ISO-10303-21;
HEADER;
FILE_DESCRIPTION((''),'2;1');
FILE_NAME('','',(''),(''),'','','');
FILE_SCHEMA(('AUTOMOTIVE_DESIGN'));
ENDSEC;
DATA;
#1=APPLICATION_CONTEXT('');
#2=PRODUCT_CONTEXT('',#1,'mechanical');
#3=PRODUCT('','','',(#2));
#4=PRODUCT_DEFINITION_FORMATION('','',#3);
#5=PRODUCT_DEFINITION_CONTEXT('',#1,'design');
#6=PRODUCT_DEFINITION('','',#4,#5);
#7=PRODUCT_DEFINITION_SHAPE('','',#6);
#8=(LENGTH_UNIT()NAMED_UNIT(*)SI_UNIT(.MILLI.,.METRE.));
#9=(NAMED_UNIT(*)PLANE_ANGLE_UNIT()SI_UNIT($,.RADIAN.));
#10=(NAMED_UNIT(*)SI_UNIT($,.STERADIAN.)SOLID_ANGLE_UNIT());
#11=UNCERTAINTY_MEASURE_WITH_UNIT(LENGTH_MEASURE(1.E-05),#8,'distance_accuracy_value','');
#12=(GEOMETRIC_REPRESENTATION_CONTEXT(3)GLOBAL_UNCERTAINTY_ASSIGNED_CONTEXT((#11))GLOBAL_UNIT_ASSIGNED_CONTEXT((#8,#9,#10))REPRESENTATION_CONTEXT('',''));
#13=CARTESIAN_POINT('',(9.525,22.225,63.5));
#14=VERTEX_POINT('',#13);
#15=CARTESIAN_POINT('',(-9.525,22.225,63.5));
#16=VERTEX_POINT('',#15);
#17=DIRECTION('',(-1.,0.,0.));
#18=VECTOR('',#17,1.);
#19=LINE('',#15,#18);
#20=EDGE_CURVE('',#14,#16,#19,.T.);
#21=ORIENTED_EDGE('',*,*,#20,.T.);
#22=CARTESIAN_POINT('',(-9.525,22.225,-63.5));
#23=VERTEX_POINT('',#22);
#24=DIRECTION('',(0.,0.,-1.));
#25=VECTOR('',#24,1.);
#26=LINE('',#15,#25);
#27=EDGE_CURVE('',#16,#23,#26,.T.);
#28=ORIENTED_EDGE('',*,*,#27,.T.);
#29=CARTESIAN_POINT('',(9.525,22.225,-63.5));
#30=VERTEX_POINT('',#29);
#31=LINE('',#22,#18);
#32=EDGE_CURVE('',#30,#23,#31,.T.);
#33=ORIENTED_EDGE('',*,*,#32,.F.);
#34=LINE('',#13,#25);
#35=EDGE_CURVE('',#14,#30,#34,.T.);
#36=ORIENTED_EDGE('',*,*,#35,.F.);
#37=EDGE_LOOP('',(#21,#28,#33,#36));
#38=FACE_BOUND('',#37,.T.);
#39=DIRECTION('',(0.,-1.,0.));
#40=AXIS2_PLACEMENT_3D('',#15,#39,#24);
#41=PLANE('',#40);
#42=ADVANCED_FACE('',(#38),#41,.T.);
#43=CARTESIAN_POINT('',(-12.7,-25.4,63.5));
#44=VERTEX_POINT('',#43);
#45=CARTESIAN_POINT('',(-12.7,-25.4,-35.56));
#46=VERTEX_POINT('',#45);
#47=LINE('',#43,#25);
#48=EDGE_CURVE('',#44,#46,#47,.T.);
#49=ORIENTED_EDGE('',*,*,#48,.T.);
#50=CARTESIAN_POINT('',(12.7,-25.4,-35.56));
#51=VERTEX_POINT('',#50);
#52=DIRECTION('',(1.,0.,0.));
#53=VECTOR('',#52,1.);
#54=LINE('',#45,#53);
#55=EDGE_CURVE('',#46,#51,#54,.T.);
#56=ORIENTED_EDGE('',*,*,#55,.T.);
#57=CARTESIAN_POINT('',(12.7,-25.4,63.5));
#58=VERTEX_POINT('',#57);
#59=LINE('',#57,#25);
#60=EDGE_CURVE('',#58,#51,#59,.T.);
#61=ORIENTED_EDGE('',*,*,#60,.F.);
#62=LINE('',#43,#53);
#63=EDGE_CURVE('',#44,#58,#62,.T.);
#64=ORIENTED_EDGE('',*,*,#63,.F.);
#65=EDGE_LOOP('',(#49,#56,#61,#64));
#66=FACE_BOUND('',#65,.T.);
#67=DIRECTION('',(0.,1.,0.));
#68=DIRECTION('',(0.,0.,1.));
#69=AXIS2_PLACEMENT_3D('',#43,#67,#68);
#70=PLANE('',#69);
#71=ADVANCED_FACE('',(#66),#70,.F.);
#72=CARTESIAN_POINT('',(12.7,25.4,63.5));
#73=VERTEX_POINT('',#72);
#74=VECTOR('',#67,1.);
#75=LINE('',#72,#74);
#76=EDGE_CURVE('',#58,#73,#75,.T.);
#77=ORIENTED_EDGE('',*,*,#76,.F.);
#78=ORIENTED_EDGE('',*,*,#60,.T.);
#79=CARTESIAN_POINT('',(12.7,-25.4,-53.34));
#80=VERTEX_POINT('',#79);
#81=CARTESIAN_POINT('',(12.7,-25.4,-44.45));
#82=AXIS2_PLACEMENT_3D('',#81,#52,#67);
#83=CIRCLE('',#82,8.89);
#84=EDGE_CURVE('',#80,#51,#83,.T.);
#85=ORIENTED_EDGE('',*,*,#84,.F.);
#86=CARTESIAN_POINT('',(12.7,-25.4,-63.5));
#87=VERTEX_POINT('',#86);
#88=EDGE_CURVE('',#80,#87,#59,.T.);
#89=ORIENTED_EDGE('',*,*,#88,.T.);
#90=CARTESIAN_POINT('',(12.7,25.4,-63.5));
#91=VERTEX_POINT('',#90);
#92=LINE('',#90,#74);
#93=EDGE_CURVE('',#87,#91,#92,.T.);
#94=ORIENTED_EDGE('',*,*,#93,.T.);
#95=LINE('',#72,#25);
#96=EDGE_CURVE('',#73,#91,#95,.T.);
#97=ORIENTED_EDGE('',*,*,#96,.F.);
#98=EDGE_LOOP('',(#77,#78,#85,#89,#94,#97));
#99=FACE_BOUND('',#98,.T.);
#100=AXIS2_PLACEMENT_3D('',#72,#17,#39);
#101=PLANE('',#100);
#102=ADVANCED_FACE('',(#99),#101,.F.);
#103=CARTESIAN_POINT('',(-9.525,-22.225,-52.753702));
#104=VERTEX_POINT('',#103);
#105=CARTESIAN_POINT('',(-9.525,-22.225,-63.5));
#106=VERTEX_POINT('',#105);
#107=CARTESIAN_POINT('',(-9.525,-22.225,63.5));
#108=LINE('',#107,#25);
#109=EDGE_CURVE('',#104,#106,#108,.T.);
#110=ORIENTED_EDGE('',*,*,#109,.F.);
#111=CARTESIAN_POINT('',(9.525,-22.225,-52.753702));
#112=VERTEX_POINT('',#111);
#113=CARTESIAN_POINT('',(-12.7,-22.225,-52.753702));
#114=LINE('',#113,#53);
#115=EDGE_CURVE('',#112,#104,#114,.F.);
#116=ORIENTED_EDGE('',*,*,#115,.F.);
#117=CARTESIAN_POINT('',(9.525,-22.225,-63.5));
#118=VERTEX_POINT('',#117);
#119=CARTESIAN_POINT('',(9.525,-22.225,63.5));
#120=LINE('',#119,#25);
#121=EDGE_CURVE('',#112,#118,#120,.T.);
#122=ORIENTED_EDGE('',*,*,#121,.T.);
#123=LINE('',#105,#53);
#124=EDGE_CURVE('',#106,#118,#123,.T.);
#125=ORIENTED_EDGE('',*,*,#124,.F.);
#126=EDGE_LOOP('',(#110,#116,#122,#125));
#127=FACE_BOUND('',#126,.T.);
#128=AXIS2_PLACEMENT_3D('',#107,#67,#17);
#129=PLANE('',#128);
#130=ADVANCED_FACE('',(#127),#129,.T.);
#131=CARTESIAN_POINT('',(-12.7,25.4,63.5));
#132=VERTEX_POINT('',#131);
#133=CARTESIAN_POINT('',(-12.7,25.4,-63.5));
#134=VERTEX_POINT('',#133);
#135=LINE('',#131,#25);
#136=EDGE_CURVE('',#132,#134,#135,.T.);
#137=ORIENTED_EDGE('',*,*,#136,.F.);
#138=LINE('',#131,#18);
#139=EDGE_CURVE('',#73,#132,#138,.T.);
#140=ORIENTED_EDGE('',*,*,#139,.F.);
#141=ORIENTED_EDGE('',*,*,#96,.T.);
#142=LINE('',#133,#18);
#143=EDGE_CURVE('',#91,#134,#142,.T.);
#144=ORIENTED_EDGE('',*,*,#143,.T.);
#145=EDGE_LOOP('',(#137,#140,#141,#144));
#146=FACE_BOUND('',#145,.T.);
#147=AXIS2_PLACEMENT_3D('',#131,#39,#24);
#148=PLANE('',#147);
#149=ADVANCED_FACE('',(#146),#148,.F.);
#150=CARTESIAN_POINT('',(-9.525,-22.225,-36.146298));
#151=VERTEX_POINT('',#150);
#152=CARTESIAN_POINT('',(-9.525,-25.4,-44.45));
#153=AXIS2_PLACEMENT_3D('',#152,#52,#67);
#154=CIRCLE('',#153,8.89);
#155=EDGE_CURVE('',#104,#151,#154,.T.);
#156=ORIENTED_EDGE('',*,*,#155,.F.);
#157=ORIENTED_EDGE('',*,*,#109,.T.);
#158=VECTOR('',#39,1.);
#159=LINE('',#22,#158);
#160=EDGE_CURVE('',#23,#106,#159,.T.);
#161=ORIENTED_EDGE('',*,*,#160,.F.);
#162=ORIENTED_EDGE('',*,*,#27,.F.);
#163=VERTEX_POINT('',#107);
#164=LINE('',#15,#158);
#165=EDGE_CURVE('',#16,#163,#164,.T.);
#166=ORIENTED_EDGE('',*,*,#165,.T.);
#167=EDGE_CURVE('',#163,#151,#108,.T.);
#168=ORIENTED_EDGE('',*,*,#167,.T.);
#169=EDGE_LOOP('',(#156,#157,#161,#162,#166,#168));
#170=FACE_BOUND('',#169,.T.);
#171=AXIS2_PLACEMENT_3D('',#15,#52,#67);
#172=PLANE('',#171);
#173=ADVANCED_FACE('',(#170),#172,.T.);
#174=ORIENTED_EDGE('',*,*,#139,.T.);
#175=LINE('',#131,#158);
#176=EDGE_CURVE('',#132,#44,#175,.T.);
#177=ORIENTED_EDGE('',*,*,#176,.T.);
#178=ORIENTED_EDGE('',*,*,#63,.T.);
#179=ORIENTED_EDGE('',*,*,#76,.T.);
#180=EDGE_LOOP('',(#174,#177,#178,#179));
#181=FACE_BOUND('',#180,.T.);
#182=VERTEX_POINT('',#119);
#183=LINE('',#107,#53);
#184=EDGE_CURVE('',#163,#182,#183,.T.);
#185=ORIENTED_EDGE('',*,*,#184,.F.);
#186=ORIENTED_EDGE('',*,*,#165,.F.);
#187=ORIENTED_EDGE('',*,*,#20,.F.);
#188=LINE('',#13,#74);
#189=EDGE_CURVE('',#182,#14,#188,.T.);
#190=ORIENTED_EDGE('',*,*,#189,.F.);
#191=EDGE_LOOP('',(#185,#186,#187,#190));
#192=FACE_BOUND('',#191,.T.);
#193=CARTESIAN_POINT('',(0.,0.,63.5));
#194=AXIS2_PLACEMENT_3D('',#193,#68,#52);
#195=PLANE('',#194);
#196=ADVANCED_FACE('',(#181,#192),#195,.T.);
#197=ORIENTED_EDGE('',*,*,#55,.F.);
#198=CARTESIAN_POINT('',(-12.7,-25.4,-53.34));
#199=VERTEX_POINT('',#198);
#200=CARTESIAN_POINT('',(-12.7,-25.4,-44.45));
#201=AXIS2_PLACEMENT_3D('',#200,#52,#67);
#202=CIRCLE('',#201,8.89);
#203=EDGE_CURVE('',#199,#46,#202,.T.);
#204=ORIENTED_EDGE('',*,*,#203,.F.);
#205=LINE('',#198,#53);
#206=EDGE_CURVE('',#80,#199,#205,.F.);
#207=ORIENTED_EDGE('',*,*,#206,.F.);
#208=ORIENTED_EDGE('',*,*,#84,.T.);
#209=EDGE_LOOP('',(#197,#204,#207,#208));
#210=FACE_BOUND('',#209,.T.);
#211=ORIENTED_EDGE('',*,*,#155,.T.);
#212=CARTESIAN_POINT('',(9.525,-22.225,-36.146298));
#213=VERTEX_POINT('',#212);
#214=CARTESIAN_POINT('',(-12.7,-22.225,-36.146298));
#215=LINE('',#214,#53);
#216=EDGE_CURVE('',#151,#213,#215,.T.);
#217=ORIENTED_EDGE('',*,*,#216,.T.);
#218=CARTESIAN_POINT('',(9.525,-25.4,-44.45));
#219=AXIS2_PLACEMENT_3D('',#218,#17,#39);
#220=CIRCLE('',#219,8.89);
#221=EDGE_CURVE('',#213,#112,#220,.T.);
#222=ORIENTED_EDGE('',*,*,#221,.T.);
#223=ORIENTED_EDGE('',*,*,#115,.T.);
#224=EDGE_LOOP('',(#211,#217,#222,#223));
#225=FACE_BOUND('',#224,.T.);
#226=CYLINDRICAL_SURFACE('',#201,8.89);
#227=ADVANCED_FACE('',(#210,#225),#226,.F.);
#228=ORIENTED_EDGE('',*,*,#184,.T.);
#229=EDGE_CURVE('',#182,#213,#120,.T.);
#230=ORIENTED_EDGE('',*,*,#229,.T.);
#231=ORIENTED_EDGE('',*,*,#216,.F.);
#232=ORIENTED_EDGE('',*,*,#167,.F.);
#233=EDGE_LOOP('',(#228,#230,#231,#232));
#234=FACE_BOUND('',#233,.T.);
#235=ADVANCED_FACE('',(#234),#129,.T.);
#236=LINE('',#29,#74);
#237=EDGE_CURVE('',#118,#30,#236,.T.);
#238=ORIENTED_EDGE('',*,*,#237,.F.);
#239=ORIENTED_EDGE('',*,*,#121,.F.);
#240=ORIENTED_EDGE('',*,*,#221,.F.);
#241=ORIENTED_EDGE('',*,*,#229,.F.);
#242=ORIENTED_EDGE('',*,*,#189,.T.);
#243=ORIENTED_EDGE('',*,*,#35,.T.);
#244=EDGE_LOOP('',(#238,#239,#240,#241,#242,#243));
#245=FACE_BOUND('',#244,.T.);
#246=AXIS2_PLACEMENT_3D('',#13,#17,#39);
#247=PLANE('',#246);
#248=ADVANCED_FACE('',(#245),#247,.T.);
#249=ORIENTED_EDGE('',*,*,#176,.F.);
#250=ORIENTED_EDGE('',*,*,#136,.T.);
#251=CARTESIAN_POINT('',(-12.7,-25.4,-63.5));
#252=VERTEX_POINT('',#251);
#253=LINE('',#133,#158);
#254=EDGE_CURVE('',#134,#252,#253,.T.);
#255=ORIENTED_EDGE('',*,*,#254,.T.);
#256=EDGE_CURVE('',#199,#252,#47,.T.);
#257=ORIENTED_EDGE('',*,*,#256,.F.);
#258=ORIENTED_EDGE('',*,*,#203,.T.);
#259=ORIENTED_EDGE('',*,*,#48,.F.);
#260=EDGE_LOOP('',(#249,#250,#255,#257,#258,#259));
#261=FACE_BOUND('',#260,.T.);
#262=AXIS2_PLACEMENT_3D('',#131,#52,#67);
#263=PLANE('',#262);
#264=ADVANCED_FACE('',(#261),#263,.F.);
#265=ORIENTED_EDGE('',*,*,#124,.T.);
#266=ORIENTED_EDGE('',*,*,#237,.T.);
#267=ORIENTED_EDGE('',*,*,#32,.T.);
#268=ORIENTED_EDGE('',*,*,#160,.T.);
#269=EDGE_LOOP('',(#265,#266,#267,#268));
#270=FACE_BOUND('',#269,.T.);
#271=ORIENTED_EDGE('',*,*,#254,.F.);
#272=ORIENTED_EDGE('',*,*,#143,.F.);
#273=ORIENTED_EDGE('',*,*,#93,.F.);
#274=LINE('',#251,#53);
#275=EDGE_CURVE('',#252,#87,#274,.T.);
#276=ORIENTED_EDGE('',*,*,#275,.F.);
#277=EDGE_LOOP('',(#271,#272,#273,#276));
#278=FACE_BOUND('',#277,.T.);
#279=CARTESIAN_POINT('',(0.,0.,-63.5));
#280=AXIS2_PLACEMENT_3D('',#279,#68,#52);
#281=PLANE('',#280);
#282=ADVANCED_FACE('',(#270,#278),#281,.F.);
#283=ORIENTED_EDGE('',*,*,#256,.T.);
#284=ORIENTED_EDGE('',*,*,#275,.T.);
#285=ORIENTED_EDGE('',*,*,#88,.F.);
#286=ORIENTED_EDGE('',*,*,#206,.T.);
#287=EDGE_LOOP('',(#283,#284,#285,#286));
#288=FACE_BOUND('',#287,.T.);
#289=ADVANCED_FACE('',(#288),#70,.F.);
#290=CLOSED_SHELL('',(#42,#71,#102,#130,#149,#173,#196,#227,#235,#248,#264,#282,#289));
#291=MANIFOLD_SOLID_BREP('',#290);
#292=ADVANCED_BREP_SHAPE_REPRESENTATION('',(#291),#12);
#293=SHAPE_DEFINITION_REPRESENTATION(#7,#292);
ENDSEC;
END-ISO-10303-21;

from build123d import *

# Parameters (mm, degrees)
SKETCH1_W           = 25.4
SKETCH1_H           = 50.8
SKETCH1_W_2         = 19.05
SKETCH1_H_2         = 44.45
BOSS_EXTRUDE1_DEPTH = 63.5
SKETCH2_R           = 8.89
CUT_EXTRUDE1_DEPTH  = 73.955945611


with BuildPart() as part:
    # Sketch1 → Boss-Extrude1 (new, symmetric)
    with BuildSketch(Plane.XY):
        Rectangle(SKETCH1_W, SKETCH1_H)
        Rectangle(SKETCH1_W_2, SKETCH1_H_2, mode=Mode.SUBTRACT)
    extrude(amount=BOSS_EXTRUDE1_DEPTH, both=True)

    # Sketch2 → Cut-Extrude1 (cut, through all)
    with BuildSketch(Plane(origin=(12.7, 0, 0), x_dir=(0, 0, -1), z_dir=(1, 0, 0))):
        with Locations((44.45, -25.4)):
            Circle(SKETCH2_R)
    extrude(amount=-CUT_EXTRUDE1_DEPTH, mode=Mode.SUBTRACT)


solid = part.part
